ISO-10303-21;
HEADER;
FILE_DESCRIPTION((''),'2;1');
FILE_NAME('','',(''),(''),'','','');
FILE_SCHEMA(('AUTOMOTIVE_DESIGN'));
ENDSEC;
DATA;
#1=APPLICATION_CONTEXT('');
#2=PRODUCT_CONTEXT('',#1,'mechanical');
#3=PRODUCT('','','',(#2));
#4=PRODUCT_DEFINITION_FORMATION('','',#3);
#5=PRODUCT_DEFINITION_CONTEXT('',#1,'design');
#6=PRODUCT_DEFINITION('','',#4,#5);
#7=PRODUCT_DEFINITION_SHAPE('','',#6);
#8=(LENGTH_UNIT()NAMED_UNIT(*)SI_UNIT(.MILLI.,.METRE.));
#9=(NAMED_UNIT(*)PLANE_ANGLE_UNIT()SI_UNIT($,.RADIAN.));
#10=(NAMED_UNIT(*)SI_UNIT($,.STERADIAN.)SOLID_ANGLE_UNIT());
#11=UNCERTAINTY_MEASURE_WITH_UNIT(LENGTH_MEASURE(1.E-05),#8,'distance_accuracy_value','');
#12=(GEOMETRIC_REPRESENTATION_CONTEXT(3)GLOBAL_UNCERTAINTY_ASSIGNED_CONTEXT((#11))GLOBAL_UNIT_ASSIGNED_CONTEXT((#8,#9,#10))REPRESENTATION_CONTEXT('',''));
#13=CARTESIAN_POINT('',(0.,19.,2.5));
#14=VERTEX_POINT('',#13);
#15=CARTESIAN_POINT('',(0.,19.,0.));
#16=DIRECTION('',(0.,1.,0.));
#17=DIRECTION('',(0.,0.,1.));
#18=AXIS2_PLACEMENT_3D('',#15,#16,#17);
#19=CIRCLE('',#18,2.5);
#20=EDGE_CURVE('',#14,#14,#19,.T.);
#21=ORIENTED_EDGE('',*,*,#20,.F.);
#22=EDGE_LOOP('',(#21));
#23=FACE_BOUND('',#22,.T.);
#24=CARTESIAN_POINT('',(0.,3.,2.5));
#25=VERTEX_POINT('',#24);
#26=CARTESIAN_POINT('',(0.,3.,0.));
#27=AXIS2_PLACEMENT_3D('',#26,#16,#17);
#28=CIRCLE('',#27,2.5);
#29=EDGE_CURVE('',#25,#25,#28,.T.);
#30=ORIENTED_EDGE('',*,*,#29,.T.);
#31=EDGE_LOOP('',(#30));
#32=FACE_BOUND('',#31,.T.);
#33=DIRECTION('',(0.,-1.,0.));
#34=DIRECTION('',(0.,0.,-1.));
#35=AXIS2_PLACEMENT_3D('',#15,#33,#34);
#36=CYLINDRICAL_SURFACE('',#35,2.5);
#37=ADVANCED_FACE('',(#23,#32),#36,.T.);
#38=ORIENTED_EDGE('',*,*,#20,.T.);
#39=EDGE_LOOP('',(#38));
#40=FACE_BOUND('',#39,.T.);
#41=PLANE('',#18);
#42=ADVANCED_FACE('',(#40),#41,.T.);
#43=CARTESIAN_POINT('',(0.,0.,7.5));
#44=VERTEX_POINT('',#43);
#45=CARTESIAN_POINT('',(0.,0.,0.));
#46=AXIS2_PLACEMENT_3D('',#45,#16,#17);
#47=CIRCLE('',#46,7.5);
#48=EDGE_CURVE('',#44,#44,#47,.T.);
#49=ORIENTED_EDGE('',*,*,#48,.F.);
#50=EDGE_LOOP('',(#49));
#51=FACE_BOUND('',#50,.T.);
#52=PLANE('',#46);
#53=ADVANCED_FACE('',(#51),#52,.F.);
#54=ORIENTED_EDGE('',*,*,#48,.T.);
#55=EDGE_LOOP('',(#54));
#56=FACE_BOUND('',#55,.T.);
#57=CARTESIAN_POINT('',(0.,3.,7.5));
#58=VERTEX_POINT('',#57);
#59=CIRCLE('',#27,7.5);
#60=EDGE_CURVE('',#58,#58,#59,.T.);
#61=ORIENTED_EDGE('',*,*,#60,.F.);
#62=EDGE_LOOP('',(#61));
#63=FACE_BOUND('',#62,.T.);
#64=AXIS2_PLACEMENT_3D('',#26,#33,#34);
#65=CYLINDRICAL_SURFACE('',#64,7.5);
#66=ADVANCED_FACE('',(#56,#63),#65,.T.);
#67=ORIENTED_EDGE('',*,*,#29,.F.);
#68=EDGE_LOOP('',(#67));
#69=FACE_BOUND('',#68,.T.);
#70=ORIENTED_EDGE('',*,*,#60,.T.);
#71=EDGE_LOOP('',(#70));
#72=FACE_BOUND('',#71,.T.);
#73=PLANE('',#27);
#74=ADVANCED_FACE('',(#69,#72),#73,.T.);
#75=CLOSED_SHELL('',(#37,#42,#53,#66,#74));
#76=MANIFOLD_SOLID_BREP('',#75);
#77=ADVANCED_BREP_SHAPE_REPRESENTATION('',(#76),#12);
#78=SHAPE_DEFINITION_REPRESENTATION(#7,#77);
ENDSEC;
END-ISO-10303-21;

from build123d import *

# Parameters (mm, degrees)
SKETCH2_R           = 7.5
BOSS_EXTRUDE1_DEPTH = 3
SKETCH5_R           = 2.5
BOSS_EXTRUDE2_DEPTH = 16


with BuildPart() as part:
    # Sketch2 → Boss-Extrude1 (new body)
    with BuildSketch(Plane(origin=(0, 0, 0), x_dir=(1, 0, 0), z_dir=(0, 1, 0))):
        Circle(SKETCH2_R)
    extrude(amount=BOSS_EXTRUDE1_DEPTH)

    # Sketch5 → Boss-Extrude2 (add)
    with BuildSketch(Plane(origin=(0, 3, 0), x_dir=(1, 0, 0), z_dir=(0, 1, 0))):
        Circle(SKETCH5_R)
    extrude(amount=BOSS_EXTRUDE2_DEPTH)


solid = part.part
